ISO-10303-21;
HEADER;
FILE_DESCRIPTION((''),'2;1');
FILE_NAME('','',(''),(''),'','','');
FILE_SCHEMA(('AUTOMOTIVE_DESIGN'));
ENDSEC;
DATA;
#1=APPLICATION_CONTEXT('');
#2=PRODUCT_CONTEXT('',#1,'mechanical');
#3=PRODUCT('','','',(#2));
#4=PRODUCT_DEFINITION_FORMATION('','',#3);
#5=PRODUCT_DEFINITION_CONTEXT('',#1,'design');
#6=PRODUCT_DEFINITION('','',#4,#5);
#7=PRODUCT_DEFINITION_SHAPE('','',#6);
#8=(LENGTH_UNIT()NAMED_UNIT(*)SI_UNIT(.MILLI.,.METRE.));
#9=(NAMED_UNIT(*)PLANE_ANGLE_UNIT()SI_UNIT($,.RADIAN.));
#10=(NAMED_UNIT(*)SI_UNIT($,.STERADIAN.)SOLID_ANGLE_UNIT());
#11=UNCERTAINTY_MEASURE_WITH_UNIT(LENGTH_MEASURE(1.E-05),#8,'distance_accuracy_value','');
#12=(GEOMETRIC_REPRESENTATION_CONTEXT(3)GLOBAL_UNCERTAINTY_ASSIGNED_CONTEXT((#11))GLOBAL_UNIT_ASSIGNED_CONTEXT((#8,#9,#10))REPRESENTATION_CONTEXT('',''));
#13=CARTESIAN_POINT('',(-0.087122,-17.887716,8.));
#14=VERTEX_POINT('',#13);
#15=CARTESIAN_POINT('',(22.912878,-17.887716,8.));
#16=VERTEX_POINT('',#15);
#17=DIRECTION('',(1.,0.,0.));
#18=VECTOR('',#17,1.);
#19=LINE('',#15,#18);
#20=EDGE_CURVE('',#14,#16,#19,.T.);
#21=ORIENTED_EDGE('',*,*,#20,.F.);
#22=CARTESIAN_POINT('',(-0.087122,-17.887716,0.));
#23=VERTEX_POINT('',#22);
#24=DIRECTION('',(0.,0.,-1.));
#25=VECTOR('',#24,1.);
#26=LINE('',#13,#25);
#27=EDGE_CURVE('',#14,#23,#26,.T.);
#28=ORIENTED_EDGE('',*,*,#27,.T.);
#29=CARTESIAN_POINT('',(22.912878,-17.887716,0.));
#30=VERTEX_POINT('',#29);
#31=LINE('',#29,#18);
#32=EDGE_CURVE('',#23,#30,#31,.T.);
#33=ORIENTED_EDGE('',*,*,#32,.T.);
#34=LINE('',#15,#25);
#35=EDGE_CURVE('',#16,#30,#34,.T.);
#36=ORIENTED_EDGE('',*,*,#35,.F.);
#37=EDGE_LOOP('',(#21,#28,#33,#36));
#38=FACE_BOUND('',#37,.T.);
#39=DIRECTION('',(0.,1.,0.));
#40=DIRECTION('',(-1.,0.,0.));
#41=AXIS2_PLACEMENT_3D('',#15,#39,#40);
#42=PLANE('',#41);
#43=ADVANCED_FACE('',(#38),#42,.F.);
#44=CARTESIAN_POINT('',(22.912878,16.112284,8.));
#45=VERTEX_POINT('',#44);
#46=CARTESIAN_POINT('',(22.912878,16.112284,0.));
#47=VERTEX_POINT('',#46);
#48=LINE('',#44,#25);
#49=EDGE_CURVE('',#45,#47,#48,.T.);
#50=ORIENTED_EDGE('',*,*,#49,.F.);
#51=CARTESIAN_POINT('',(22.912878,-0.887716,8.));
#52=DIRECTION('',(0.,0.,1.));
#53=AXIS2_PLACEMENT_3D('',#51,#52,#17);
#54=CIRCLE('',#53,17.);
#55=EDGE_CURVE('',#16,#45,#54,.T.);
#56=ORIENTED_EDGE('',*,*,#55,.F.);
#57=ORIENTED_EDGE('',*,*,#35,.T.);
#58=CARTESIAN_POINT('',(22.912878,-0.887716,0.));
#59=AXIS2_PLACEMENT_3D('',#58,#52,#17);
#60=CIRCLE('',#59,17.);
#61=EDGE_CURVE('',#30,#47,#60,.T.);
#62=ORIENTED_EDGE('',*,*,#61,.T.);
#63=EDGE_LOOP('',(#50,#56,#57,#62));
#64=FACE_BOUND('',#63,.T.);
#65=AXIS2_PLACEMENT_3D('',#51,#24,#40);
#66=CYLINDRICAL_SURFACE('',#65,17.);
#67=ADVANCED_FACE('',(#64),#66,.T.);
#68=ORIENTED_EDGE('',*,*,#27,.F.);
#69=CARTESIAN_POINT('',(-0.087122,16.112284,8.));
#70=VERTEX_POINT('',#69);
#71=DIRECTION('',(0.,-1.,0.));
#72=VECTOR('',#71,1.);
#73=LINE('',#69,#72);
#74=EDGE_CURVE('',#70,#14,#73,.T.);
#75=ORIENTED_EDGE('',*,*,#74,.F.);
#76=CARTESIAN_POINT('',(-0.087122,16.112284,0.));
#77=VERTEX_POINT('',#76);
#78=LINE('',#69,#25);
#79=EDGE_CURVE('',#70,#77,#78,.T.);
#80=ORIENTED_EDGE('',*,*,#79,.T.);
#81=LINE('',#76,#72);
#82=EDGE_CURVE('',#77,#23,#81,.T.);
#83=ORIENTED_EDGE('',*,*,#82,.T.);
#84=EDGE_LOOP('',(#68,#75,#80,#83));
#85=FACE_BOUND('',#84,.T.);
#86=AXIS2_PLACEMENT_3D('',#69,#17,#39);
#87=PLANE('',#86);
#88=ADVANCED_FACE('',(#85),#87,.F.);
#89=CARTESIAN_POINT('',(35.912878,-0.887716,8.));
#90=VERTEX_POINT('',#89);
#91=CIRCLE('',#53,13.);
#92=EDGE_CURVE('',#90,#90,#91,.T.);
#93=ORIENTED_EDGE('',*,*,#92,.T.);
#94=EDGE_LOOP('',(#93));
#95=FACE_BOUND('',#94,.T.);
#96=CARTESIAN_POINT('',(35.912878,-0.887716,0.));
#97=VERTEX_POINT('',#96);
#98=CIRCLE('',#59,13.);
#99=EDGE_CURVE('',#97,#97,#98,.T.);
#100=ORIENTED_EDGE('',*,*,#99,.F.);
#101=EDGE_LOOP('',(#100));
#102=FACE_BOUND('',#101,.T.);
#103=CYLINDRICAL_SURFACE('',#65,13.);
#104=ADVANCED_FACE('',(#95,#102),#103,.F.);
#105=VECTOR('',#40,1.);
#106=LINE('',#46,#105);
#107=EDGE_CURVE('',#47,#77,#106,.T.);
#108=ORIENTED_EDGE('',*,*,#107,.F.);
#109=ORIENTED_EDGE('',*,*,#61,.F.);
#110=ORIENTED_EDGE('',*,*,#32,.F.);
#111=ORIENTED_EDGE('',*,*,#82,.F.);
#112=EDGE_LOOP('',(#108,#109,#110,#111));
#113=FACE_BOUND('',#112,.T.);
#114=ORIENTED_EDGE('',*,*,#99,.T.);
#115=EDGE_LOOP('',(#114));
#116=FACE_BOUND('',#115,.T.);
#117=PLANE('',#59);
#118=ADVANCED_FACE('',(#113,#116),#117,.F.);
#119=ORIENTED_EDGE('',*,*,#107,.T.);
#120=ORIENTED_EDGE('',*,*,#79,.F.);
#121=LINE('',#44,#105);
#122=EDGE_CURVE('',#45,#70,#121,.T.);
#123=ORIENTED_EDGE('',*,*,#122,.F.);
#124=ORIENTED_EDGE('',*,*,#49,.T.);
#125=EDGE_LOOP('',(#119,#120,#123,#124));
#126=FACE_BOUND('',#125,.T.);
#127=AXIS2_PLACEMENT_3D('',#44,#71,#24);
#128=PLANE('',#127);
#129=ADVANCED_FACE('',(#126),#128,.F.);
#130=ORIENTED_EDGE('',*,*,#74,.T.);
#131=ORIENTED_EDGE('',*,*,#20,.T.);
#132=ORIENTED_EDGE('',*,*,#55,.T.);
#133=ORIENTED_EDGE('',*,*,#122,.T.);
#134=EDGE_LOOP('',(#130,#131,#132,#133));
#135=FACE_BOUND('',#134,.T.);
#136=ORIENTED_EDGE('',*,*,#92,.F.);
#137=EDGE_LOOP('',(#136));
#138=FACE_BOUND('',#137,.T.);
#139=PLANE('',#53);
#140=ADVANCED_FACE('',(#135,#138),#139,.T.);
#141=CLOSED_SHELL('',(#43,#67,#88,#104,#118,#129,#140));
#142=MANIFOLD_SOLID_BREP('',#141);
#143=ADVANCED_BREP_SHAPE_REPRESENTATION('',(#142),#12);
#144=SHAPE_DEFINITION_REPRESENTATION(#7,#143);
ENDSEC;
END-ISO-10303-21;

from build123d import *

# Parameters (mm, degrees)
SKETCH2_R           = 13
BOSS_EXTRUDE1_DEPTH = 8


with BuildPart() as part:
    # Sketch2 → Boss-Extrude1 (new body)
    with BuildSketch(Plane.XY):
        with BuildLine():
            Line((22.912878475, 16.112283523), (-0.087121525, 16.112283523))
            Line((-0.087121525, 16.112283523), (-0.087121525, -17.887716477))
            Line((-0.087121525, -17.887716477), (22.912878475, -17.887716477))
            ThreePointArc((22.912878475, -17.887716477), (39.912878475, -0.887716477), (22.912878475, 16.112283523))
        make_face()
        with Locations((22.912878475, -0.887716477)):
            Circle(SKETCH2_R, mode=Mode.SUBTRACT)
    extrude(amount=BOSS_EXTRUDE1_DEPTH)


solid = part.part
